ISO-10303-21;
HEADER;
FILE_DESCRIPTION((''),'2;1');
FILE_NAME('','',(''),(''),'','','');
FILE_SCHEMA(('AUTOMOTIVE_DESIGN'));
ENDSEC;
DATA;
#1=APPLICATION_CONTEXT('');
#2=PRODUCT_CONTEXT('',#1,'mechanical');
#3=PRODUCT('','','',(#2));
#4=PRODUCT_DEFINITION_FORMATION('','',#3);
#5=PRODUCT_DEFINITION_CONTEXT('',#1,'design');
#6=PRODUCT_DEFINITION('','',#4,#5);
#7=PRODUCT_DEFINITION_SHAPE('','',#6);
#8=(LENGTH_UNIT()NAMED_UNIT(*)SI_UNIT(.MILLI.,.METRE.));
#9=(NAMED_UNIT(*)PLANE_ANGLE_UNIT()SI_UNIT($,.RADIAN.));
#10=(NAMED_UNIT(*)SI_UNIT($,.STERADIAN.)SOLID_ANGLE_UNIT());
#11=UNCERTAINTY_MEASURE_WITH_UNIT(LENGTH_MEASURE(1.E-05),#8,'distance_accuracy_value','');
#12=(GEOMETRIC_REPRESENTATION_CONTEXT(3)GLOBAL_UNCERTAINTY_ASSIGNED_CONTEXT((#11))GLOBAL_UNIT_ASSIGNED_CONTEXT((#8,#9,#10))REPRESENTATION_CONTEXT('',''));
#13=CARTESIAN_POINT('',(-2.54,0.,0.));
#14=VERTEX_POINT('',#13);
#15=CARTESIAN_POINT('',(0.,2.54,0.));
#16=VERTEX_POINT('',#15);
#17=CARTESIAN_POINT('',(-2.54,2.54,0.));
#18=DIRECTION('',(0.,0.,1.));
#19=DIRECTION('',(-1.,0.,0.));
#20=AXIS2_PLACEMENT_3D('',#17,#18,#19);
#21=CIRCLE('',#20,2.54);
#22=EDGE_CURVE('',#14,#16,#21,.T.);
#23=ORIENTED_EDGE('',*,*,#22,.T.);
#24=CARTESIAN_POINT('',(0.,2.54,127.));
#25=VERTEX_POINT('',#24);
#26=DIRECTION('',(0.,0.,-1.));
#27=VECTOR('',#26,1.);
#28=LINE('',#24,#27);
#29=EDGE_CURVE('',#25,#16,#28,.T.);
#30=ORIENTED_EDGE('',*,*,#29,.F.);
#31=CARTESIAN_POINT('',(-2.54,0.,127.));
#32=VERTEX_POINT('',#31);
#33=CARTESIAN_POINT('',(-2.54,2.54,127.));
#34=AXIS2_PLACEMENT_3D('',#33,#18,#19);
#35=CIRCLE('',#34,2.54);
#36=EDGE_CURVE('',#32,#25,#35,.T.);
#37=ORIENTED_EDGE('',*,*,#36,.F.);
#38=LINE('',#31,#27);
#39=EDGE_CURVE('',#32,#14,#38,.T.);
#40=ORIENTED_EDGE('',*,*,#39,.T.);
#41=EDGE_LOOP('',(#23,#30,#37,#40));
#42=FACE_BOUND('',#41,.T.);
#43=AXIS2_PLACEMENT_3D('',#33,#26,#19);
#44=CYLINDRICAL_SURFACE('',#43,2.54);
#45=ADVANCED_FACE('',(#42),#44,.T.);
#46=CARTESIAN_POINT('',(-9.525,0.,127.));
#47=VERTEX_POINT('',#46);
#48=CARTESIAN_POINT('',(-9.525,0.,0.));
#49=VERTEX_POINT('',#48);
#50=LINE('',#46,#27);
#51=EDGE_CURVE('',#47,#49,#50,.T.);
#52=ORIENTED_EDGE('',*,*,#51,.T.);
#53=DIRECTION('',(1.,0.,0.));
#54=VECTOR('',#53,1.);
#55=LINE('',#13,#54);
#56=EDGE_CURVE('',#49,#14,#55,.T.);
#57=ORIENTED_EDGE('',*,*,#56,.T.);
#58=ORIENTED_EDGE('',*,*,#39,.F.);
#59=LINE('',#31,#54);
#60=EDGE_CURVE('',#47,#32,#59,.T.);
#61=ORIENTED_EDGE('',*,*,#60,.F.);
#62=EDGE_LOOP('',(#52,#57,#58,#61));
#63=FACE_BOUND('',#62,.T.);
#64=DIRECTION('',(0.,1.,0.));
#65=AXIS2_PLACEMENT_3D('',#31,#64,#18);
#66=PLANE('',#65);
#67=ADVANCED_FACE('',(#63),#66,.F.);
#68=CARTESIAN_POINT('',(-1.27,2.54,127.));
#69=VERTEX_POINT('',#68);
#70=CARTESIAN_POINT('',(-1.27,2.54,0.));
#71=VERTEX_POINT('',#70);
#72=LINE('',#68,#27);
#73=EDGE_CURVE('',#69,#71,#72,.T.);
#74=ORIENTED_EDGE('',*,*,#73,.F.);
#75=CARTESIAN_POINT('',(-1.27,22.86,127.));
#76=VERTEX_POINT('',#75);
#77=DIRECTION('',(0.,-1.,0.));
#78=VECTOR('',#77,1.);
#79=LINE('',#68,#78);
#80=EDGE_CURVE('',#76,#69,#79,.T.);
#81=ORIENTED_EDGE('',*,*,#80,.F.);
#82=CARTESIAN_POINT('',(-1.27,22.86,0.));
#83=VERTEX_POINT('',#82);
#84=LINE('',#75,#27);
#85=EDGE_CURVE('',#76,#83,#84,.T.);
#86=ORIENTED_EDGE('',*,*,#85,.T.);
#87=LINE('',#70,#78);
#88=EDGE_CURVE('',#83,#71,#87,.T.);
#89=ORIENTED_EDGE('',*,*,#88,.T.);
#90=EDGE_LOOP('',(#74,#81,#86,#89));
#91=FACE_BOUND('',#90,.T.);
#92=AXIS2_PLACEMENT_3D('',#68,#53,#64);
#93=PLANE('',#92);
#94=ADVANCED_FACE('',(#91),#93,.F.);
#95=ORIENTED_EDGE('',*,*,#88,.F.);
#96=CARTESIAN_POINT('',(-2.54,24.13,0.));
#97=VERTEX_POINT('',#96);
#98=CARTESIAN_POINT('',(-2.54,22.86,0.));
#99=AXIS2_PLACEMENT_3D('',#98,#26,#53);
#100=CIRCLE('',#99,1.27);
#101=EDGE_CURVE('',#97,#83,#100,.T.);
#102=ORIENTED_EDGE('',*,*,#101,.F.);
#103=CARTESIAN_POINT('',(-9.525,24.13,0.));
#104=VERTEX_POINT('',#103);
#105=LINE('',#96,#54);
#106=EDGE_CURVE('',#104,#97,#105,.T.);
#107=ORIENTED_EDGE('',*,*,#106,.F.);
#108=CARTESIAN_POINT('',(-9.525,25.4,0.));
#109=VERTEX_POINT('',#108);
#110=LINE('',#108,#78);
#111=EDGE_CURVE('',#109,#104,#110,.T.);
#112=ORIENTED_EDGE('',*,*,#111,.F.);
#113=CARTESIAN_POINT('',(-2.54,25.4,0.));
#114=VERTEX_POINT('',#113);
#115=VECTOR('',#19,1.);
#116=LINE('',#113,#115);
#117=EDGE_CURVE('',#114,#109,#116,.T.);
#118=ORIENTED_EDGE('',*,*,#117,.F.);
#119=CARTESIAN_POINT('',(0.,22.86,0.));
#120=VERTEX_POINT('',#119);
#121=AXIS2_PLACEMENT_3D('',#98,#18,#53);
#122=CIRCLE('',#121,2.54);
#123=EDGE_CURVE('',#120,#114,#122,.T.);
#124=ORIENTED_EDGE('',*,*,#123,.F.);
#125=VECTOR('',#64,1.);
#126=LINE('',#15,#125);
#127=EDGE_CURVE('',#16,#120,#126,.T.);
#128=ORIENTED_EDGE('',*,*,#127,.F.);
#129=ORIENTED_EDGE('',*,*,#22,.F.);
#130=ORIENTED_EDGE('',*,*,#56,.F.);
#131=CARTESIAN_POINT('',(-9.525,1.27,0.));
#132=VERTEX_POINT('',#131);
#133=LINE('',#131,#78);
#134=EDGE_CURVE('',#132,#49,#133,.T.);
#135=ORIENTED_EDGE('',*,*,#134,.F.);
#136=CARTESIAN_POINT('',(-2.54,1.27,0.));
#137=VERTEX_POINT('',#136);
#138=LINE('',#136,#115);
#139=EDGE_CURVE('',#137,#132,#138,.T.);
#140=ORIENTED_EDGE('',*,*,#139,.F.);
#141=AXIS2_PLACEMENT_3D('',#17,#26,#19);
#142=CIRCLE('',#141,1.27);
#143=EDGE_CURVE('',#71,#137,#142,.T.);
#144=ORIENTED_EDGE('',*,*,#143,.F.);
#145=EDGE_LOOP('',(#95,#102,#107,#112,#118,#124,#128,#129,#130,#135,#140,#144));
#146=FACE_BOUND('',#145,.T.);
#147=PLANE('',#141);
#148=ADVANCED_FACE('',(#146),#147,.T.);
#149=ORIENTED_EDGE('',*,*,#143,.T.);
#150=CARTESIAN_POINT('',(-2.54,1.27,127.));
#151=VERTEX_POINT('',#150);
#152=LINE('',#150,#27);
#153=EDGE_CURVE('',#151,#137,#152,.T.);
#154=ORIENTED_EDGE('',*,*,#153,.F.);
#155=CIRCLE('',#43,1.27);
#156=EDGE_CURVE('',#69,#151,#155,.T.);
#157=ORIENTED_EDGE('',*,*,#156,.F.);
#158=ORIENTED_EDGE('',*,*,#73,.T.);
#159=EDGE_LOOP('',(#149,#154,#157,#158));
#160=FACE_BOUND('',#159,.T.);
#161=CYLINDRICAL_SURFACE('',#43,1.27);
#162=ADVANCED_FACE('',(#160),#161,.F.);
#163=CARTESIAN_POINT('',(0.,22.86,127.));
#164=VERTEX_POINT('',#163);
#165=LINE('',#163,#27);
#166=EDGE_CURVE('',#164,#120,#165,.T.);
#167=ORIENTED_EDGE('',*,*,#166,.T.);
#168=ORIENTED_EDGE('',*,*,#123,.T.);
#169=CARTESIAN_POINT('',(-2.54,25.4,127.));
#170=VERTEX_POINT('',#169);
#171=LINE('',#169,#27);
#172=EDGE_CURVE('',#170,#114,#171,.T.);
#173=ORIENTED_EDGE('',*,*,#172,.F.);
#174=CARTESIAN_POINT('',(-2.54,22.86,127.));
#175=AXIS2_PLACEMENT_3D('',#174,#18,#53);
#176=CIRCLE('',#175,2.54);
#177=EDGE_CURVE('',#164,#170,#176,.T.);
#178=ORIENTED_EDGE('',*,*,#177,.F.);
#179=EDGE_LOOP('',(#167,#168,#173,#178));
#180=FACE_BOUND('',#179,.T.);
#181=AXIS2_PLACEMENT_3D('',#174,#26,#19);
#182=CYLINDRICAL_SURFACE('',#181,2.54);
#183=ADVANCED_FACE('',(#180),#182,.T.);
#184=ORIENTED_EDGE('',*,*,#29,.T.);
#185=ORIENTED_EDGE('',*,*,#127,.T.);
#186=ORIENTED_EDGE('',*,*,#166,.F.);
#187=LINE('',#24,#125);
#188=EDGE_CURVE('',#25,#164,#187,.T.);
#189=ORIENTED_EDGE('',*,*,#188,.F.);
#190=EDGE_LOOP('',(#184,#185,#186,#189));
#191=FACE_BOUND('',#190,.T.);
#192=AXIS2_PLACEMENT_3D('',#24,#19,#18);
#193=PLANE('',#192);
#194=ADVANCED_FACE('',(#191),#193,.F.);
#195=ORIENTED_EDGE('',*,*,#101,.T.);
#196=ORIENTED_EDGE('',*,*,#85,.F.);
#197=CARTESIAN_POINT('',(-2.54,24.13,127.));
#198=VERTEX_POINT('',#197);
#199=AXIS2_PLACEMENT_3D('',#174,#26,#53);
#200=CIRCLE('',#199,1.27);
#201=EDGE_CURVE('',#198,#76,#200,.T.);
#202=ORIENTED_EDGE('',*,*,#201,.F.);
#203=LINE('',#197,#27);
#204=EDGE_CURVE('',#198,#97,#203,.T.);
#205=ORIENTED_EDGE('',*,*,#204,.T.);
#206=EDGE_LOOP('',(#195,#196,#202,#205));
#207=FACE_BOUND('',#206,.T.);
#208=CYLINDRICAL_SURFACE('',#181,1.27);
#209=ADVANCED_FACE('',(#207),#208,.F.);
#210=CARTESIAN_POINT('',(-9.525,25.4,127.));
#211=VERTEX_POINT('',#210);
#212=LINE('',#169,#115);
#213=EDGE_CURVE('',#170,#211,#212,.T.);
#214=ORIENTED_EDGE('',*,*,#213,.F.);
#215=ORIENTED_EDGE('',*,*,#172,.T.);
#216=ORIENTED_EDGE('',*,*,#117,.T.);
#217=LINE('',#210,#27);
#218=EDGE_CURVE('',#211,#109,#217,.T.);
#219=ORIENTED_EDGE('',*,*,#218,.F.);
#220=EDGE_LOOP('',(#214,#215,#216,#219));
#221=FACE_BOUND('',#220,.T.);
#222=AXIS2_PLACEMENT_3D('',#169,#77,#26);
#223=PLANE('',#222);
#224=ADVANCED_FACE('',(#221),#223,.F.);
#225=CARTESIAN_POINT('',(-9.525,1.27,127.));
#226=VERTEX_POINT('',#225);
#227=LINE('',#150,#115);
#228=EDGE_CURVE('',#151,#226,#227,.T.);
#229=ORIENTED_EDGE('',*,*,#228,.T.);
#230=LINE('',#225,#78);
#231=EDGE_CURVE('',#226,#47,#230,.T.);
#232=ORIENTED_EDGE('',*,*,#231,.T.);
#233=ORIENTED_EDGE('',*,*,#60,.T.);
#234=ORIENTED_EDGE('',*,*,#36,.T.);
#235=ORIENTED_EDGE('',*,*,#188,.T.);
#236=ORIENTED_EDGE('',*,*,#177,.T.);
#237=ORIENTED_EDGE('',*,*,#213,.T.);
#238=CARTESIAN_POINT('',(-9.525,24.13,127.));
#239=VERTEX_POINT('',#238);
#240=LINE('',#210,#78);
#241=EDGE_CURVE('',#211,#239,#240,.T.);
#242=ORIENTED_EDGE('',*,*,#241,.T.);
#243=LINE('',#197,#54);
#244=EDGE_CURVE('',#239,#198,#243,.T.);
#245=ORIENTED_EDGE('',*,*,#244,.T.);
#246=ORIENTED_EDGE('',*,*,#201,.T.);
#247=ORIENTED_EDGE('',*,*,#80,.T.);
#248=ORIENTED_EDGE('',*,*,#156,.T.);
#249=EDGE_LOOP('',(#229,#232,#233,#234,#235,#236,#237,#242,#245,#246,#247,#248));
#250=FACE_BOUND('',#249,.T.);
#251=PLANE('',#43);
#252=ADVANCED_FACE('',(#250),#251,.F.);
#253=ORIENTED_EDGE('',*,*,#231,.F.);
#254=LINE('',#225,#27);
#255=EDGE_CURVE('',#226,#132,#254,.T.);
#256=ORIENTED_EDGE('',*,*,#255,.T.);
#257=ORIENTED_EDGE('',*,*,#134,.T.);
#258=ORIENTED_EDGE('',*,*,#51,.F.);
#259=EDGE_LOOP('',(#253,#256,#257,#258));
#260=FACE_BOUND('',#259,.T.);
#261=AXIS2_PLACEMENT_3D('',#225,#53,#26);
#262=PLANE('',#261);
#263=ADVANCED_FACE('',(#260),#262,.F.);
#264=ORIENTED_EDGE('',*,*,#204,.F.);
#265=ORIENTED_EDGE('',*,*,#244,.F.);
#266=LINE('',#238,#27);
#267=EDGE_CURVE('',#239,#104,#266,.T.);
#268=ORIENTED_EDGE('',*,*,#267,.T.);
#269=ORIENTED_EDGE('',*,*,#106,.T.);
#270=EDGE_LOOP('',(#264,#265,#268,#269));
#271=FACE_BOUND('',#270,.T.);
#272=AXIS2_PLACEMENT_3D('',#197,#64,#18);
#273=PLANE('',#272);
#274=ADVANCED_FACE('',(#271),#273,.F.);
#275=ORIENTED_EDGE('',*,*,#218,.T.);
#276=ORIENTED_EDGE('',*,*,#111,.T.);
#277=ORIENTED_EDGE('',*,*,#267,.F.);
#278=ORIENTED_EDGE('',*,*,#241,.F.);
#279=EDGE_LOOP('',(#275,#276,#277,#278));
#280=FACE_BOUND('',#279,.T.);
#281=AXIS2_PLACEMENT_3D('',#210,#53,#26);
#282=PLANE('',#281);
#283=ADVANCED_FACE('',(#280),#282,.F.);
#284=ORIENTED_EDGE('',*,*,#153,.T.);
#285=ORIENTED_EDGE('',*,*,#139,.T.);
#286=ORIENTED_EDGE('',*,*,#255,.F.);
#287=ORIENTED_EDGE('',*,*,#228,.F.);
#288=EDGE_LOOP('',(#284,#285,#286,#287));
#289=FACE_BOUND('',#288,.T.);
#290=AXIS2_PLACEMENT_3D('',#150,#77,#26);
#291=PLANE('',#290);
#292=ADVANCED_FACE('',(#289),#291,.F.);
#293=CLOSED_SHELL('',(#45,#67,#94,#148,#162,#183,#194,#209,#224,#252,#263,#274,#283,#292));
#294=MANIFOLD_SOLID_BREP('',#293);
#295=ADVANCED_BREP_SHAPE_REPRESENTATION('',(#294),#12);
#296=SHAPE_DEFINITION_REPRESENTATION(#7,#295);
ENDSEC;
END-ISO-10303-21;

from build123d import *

# Parameters (mm, degrees)
BOSS_EXTRUDE1_DEPTH = 127


with BuildPart() as part:
    # Sketch1 → Boss-Extrude1 (new body)
    with BuildSketch(Plane.XY):
        with BuildLine():
            Line((0, 2.54), (0, 22.86))
            ThreePointArc((0, 22.86), (-0.743948776, 24.656051224), (-2.54, 25.4))
            Line((-2.54, 25.4), (-9.525, 25.4))
            Line((-9.525, 25.4), (-9.525, 24.13))
            Line((-9.525, 24.13), (-2.54, 24.13))
            ThreePointArc((-2.54, 24.13), (-1.641974388, 23.758025612), (-1.27, 22.86))
            Line((-1.27, 22.86), (-1.27, 2.54))
            ThreePointArc((-1.27, 2.54), (-1.641974388, 1.641974388), (-2.54, 1.27))
            Line((-2.54, 1.27), (-9.525, 1.27))
            Line((-9.525, 1.27), (-9.525, 0))
            Line((-9.525, 0), (-2.54, 0))
            ThreePointArc((-2.54, 0), (-0.743948776, 0.743948776), (0, 2.54))
        make_face()
    extrude(amount=BOSS_EXTRUDE1_DEPTH)


solid = part.part
